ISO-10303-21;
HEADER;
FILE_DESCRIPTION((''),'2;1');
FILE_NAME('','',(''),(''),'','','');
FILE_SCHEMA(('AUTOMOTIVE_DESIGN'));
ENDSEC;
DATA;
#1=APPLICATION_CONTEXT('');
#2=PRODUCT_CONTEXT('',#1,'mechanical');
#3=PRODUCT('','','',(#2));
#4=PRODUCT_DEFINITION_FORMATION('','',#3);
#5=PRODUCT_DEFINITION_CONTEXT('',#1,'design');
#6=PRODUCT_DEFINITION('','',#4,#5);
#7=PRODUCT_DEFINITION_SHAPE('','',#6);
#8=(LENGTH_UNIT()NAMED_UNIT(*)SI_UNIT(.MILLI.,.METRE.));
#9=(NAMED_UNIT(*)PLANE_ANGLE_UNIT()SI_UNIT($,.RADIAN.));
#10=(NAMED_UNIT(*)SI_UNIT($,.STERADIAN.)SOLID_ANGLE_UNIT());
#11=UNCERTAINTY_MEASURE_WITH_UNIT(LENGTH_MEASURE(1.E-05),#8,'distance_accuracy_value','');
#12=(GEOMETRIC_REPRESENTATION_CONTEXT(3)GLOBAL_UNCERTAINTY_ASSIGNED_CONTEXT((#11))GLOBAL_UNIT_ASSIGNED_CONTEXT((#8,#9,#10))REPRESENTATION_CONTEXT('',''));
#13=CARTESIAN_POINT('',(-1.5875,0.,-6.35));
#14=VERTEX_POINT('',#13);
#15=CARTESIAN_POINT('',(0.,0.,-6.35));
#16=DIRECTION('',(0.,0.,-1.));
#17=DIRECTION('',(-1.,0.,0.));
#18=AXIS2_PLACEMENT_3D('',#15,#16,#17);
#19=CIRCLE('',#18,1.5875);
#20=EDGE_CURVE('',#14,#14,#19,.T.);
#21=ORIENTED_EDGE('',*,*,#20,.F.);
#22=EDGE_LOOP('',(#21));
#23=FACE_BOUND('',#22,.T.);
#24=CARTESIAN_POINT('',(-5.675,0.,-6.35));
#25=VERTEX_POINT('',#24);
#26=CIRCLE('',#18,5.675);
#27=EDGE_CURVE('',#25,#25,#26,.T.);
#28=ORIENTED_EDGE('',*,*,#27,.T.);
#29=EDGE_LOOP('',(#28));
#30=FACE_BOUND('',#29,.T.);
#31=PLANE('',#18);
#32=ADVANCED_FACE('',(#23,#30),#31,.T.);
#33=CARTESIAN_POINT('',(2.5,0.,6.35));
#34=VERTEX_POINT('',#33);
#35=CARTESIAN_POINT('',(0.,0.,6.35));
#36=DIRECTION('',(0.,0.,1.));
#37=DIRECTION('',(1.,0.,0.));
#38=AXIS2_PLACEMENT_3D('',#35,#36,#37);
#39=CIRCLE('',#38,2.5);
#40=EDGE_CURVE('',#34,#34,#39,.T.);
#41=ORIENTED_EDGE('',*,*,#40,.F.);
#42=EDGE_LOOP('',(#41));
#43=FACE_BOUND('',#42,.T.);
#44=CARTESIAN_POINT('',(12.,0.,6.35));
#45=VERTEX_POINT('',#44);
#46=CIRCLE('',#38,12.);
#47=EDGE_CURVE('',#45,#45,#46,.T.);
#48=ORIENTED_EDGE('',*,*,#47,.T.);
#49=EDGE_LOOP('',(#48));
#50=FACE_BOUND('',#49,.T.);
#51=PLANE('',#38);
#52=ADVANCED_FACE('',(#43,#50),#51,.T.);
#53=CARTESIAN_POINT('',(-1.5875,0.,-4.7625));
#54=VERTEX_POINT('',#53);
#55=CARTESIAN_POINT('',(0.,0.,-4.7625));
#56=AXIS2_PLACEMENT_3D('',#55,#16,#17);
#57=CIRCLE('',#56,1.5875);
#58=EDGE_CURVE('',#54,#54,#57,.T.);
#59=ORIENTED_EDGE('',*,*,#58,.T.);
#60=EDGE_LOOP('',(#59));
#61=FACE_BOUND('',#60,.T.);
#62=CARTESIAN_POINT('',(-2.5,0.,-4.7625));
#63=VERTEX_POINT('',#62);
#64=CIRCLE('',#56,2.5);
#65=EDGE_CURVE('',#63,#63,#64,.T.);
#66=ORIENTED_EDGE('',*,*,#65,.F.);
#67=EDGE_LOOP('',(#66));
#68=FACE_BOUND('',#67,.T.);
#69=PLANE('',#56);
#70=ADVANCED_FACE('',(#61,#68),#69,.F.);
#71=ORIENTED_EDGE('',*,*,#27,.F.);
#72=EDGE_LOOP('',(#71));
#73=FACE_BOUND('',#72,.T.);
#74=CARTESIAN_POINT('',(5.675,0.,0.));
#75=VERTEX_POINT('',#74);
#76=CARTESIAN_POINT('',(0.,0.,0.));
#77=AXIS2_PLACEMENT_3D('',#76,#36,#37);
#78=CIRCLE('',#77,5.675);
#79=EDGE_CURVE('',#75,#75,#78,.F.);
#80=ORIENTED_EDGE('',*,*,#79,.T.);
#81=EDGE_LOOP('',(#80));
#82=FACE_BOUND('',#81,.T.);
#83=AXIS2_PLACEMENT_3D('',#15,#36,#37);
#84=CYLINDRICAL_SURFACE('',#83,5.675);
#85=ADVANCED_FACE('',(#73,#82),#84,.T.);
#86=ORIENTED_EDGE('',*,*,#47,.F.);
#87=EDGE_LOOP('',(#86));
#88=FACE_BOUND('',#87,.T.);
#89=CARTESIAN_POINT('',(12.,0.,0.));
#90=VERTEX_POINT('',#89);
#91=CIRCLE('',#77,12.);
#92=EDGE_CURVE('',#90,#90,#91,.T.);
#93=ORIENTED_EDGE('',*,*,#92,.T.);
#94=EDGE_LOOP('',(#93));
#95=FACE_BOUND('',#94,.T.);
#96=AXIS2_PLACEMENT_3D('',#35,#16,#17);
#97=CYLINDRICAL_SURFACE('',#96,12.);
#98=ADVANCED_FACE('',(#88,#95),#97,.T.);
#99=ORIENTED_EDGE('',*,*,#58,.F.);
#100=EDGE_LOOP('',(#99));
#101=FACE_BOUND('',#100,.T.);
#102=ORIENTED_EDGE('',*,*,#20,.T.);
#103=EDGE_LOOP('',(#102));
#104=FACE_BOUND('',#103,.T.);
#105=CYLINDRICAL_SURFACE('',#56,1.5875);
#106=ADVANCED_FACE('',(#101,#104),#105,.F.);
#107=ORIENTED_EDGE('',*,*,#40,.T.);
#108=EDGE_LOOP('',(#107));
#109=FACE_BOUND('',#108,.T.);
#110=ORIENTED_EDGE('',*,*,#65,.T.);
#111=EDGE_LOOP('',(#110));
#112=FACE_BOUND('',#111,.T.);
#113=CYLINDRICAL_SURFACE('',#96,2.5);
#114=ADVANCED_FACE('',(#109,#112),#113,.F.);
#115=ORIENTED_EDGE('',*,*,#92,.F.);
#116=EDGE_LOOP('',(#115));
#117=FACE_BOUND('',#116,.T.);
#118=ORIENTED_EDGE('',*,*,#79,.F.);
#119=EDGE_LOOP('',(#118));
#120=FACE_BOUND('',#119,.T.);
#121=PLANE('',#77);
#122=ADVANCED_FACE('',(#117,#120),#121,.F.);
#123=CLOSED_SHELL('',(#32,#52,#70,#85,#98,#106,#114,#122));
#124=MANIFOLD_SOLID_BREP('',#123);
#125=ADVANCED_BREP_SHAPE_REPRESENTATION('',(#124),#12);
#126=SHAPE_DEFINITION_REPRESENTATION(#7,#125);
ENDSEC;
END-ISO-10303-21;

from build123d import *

# Parameters (mm, degrees)
SKETCH1_R           = 12
SKETCH1_R_2         = 2.5
BOSS_EXTRUDE1_DEPTH = 6.35
SKETCH2_R           = 5.675
SKETCH2_R_2         = 2.5
BOSS_EXTRUDE2_DEPTH = 6.35
SKETCH3_R           = 5.675
SKETCH3_R_2         = 1.5875
BOSS_EXTRUDE3_DEPTH = 1.5875


with BuildPart() as part:
    # Sketch1 → Boss-Extrude1 (new body)
    with BuildSketch(Plane.XY):
        Circle(SKETCH1_R)
        Circle(SKETCH1_R_2, mode=Mode.SUBTRACT)
    extrude(amount=BOSS_EXTRUDE1_DEPTH)

    # Sketch2 → Boss-Extrude2 (add)
    with BuildSketch(Plane(origin=(0, 0, 0), x_dir=(-1, 0, 0), z_dir=(0, 0, -1))):
        Circle(SKETCH2_R)
        Circle(SKETCH2_R_2, mode=Mode.SUBTRACT)
    extrude(amount=BOSS_EXTRUDE2_DEPTH)

    # Sketch3 → Boss-Extrude3 (add)
    with BuildSketch(Plane(origin=(0, 0, -6.35), x_dir=(-1, 0, 0), z_dir=(0, 0, -1))):
        Circle(SKETCH3_R)
        Circle(SKETCH3_R_2, mode=Mode.SUBTRACT)
    extrude(amount=-BOSS_EXTRUDE3_DEPTH)


solid = part.part
